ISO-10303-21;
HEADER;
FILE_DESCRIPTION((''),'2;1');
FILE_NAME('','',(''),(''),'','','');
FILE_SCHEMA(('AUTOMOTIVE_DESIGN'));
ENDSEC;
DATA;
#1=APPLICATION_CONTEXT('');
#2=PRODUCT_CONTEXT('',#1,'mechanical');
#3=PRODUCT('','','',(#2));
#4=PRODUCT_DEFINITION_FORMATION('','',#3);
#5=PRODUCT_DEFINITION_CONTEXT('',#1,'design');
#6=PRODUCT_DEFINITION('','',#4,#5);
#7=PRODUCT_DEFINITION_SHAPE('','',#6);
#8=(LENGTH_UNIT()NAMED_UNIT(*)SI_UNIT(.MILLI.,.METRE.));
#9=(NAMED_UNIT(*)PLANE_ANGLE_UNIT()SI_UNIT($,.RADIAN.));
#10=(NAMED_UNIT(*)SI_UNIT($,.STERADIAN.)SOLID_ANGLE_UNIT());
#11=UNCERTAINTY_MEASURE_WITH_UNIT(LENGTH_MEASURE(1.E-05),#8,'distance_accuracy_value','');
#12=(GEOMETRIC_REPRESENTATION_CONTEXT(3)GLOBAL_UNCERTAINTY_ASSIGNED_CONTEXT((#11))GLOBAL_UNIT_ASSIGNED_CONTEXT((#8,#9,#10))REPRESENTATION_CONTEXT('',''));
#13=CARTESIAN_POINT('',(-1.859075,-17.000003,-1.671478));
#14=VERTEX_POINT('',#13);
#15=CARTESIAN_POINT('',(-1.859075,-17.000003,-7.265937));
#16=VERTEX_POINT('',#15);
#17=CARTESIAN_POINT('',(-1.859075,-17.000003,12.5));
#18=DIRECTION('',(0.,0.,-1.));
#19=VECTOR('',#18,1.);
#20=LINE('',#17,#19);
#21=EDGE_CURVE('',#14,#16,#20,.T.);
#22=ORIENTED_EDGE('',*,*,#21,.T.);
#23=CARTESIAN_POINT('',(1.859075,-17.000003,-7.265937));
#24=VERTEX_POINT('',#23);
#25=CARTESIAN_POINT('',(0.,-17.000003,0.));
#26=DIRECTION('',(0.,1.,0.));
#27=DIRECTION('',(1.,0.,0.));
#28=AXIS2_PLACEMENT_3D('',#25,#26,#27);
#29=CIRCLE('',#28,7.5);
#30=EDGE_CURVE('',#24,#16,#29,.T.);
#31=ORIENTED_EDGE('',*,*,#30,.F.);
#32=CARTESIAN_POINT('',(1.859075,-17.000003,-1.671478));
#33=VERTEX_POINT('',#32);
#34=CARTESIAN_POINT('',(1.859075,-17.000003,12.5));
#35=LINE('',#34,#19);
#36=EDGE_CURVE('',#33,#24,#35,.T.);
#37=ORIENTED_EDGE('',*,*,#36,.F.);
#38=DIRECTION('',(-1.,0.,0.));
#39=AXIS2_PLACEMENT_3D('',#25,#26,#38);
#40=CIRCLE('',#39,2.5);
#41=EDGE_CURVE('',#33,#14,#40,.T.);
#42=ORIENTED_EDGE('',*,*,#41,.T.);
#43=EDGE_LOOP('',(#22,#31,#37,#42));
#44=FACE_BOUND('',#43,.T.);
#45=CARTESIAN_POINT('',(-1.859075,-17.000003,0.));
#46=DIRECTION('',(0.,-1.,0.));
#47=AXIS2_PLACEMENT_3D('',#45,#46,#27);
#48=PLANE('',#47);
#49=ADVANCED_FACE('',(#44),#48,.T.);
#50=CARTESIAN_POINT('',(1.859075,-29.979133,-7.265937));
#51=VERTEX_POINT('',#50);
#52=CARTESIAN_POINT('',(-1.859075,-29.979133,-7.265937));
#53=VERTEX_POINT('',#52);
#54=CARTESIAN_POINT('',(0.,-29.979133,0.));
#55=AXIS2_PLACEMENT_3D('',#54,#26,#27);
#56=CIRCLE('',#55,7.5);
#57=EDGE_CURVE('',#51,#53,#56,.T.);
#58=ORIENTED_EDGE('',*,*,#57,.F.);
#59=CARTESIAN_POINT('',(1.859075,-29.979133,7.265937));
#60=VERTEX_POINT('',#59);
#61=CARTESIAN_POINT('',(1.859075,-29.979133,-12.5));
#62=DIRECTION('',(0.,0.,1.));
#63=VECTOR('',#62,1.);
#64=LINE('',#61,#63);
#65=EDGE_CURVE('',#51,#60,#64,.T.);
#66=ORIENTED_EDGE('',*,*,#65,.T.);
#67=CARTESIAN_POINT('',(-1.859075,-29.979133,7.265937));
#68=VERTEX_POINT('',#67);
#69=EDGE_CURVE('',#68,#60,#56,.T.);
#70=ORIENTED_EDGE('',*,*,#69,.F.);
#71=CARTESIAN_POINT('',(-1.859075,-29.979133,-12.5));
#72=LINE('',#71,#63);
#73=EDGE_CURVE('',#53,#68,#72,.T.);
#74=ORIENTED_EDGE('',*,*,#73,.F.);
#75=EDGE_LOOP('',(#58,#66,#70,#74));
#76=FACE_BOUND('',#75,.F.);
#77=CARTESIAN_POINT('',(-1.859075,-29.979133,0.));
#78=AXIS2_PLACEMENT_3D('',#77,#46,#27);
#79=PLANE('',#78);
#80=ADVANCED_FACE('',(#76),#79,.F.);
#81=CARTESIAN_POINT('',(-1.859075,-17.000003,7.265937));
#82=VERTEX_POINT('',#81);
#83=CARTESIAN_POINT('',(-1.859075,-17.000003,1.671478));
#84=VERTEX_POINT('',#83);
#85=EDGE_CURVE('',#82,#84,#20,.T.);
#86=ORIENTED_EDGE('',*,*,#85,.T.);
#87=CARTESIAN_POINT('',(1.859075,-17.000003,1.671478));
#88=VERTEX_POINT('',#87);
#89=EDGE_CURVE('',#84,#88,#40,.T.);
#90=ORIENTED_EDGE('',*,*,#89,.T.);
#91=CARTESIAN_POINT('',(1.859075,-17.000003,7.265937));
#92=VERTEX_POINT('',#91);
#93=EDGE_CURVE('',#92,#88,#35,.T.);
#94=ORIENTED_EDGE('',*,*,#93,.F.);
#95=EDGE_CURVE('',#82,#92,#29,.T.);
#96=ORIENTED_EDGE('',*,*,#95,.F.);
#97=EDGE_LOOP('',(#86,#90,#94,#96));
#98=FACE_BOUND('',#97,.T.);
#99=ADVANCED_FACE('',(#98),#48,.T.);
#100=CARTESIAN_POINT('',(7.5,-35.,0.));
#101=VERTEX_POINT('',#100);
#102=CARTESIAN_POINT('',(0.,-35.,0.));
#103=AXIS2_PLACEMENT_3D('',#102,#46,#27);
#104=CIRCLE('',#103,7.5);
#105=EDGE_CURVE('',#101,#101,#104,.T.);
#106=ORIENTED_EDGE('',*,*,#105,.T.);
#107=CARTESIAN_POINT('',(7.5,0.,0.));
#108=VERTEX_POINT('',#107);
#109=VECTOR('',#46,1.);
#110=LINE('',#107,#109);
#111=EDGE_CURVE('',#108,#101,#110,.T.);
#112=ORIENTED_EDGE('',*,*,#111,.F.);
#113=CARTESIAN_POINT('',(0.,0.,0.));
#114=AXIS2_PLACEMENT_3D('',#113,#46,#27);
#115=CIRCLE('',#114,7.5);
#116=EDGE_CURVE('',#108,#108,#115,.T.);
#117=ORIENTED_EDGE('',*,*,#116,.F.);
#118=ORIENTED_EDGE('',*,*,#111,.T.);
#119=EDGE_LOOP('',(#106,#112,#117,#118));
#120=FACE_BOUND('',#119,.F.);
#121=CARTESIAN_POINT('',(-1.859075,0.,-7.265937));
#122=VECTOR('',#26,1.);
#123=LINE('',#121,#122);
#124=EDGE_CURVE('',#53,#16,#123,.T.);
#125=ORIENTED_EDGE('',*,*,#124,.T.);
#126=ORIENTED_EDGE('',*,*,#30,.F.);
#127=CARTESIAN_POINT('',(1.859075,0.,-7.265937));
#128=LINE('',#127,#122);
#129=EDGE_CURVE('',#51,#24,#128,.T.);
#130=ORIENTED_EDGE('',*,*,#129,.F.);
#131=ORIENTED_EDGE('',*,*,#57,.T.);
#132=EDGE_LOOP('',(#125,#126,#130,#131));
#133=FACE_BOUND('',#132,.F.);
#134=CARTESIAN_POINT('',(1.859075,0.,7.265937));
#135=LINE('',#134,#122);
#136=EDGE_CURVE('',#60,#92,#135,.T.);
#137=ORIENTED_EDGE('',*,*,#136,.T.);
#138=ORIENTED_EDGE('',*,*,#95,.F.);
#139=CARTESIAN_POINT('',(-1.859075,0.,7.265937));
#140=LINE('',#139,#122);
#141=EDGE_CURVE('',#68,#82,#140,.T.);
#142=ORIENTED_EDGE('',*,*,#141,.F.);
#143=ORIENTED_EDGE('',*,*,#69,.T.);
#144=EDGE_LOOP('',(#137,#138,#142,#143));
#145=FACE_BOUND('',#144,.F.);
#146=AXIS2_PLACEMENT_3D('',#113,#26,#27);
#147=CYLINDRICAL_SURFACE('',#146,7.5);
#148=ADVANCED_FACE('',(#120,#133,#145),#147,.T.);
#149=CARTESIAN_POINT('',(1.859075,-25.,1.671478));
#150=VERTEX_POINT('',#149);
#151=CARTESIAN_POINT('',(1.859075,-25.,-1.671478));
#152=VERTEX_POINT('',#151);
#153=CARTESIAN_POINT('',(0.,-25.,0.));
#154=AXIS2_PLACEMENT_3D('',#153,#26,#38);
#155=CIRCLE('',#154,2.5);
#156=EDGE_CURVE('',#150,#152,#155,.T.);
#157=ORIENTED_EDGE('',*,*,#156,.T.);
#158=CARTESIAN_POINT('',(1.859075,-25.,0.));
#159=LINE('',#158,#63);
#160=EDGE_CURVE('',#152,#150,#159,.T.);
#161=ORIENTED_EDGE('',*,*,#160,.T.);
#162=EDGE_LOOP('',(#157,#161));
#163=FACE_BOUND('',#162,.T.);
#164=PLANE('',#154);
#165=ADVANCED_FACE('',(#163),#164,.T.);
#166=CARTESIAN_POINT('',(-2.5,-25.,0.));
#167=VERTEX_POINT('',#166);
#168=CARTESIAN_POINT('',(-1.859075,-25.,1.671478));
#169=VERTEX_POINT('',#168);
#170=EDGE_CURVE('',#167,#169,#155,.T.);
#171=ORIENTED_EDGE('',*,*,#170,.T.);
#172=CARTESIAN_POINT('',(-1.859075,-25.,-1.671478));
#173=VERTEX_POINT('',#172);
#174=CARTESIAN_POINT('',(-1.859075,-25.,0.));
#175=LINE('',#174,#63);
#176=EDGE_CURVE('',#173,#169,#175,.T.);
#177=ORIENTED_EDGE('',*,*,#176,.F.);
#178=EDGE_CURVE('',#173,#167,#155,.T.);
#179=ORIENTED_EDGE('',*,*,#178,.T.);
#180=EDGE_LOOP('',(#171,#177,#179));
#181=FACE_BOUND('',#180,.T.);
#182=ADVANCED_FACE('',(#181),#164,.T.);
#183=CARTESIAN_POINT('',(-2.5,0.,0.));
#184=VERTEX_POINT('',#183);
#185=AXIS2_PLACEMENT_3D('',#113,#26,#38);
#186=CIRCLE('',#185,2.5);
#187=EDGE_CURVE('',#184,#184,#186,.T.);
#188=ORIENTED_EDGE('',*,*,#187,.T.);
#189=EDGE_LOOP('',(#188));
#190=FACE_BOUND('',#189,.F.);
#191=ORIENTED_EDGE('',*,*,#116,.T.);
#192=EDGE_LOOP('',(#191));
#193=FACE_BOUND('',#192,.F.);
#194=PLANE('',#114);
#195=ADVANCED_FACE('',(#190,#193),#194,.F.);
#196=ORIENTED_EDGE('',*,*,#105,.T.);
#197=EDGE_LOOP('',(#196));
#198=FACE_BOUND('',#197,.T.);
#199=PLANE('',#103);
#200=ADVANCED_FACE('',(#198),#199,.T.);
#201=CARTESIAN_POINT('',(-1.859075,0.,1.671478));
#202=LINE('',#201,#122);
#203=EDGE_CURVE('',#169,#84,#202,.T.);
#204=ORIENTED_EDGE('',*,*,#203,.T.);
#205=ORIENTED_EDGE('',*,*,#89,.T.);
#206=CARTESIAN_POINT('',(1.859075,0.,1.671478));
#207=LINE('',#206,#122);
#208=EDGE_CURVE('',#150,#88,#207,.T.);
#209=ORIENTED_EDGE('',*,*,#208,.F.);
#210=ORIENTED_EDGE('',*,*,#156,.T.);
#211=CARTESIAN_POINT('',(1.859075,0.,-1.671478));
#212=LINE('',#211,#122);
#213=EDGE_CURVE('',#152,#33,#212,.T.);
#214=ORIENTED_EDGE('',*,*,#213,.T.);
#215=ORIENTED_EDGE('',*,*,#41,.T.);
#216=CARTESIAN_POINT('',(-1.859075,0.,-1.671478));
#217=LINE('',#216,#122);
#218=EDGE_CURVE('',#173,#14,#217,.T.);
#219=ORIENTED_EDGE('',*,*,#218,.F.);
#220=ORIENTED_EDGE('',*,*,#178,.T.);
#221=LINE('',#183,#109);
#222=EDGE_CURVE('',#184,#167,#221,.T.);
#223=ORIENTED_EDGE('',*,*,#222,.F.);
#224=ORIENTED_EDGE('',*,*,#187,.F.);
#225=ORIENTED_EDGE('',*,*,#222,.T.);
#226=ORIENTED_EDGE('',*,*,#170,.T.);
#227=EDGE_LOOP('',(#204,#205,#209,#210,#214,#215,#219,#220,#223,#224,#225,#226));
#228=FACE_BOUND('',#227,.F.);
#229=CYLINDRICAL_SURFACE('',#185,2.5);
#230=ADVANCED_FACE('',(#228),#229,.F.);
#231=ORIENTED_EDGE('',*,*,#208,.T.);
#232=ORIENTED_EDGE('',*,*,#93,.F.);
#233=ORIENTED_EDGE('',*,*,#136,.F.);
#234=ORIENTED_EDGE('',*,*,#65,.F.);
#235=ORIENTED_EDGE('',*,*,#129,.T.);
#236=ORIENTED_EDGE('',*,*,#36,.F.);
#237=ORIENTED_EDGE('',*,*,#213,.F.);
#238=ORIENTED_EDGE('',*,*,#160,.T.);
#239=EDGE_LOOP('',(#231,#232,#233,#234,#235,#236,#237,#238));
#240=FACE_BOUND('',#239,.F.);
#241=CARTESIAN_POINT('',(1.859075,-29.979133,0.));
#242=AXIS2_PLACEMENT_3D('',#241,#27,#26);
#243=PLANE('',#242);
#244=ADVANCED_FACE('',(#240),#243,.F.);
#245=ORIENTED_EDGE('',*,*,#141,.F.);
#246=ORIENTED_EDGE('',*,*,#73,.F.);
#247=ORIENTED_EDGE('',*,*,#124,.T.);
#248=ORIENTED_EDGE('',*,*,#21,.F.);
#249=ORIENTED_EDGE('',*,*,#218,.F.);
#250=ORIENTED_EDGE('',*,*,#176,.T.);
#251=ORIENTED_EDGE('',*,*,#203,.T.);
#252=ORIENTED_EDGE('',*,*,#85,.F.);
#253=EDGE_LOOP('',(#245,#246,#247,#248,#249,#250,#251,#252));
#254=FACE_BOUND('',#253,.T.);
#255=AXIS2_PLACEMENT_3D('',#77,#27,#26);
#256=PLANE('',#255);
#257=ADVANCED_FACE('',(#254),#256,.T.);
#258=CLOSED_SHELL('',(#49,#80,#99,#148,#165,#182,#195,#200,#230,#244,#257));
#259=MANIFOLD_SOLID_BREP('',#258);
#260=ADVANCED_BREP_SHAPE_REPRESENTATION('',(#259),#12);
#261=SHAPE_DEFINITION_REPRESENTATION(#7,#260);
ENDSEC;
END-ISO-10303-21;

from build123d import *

# Parameters (mm, degrees)
F0_R     = 7.5
F1_DEPTH = 35
F2_W     = 3.71815
F2_H     = 12.979131
F3_DEPTH = 12.5
F4_R     = 2.5
F5_DEPTH = 25


with BuildPart() as f1:
    # F0 (on Front) → F1 (new body)
    with BuildSketch(Plane.XZ):
        Circle(F0_R)
    extrude(amount=F1_DEPTH)

    # F2 (on Top) → F3 (cut, symmetric)
    with BuildSketch(Plane.XY):
        with Locations((0, -23.489568)):
            Rectangle(F2_W, F2_H)
    extrude(amount=F3_DEPTH, both=True, mode=Mode.SUBTRACT)

    # F4 (on face) → F5 (cut)
    with BuildSketch(Plane(origin=(0, 0, 0), x_dir=(-1, 0, 0), z_dir=(0, 1, 0))):
        Circle(F4_R)
    extrude(amount=-F5_DEPTH, mode=Mode.SUBTRACT)


solid = f1.part
